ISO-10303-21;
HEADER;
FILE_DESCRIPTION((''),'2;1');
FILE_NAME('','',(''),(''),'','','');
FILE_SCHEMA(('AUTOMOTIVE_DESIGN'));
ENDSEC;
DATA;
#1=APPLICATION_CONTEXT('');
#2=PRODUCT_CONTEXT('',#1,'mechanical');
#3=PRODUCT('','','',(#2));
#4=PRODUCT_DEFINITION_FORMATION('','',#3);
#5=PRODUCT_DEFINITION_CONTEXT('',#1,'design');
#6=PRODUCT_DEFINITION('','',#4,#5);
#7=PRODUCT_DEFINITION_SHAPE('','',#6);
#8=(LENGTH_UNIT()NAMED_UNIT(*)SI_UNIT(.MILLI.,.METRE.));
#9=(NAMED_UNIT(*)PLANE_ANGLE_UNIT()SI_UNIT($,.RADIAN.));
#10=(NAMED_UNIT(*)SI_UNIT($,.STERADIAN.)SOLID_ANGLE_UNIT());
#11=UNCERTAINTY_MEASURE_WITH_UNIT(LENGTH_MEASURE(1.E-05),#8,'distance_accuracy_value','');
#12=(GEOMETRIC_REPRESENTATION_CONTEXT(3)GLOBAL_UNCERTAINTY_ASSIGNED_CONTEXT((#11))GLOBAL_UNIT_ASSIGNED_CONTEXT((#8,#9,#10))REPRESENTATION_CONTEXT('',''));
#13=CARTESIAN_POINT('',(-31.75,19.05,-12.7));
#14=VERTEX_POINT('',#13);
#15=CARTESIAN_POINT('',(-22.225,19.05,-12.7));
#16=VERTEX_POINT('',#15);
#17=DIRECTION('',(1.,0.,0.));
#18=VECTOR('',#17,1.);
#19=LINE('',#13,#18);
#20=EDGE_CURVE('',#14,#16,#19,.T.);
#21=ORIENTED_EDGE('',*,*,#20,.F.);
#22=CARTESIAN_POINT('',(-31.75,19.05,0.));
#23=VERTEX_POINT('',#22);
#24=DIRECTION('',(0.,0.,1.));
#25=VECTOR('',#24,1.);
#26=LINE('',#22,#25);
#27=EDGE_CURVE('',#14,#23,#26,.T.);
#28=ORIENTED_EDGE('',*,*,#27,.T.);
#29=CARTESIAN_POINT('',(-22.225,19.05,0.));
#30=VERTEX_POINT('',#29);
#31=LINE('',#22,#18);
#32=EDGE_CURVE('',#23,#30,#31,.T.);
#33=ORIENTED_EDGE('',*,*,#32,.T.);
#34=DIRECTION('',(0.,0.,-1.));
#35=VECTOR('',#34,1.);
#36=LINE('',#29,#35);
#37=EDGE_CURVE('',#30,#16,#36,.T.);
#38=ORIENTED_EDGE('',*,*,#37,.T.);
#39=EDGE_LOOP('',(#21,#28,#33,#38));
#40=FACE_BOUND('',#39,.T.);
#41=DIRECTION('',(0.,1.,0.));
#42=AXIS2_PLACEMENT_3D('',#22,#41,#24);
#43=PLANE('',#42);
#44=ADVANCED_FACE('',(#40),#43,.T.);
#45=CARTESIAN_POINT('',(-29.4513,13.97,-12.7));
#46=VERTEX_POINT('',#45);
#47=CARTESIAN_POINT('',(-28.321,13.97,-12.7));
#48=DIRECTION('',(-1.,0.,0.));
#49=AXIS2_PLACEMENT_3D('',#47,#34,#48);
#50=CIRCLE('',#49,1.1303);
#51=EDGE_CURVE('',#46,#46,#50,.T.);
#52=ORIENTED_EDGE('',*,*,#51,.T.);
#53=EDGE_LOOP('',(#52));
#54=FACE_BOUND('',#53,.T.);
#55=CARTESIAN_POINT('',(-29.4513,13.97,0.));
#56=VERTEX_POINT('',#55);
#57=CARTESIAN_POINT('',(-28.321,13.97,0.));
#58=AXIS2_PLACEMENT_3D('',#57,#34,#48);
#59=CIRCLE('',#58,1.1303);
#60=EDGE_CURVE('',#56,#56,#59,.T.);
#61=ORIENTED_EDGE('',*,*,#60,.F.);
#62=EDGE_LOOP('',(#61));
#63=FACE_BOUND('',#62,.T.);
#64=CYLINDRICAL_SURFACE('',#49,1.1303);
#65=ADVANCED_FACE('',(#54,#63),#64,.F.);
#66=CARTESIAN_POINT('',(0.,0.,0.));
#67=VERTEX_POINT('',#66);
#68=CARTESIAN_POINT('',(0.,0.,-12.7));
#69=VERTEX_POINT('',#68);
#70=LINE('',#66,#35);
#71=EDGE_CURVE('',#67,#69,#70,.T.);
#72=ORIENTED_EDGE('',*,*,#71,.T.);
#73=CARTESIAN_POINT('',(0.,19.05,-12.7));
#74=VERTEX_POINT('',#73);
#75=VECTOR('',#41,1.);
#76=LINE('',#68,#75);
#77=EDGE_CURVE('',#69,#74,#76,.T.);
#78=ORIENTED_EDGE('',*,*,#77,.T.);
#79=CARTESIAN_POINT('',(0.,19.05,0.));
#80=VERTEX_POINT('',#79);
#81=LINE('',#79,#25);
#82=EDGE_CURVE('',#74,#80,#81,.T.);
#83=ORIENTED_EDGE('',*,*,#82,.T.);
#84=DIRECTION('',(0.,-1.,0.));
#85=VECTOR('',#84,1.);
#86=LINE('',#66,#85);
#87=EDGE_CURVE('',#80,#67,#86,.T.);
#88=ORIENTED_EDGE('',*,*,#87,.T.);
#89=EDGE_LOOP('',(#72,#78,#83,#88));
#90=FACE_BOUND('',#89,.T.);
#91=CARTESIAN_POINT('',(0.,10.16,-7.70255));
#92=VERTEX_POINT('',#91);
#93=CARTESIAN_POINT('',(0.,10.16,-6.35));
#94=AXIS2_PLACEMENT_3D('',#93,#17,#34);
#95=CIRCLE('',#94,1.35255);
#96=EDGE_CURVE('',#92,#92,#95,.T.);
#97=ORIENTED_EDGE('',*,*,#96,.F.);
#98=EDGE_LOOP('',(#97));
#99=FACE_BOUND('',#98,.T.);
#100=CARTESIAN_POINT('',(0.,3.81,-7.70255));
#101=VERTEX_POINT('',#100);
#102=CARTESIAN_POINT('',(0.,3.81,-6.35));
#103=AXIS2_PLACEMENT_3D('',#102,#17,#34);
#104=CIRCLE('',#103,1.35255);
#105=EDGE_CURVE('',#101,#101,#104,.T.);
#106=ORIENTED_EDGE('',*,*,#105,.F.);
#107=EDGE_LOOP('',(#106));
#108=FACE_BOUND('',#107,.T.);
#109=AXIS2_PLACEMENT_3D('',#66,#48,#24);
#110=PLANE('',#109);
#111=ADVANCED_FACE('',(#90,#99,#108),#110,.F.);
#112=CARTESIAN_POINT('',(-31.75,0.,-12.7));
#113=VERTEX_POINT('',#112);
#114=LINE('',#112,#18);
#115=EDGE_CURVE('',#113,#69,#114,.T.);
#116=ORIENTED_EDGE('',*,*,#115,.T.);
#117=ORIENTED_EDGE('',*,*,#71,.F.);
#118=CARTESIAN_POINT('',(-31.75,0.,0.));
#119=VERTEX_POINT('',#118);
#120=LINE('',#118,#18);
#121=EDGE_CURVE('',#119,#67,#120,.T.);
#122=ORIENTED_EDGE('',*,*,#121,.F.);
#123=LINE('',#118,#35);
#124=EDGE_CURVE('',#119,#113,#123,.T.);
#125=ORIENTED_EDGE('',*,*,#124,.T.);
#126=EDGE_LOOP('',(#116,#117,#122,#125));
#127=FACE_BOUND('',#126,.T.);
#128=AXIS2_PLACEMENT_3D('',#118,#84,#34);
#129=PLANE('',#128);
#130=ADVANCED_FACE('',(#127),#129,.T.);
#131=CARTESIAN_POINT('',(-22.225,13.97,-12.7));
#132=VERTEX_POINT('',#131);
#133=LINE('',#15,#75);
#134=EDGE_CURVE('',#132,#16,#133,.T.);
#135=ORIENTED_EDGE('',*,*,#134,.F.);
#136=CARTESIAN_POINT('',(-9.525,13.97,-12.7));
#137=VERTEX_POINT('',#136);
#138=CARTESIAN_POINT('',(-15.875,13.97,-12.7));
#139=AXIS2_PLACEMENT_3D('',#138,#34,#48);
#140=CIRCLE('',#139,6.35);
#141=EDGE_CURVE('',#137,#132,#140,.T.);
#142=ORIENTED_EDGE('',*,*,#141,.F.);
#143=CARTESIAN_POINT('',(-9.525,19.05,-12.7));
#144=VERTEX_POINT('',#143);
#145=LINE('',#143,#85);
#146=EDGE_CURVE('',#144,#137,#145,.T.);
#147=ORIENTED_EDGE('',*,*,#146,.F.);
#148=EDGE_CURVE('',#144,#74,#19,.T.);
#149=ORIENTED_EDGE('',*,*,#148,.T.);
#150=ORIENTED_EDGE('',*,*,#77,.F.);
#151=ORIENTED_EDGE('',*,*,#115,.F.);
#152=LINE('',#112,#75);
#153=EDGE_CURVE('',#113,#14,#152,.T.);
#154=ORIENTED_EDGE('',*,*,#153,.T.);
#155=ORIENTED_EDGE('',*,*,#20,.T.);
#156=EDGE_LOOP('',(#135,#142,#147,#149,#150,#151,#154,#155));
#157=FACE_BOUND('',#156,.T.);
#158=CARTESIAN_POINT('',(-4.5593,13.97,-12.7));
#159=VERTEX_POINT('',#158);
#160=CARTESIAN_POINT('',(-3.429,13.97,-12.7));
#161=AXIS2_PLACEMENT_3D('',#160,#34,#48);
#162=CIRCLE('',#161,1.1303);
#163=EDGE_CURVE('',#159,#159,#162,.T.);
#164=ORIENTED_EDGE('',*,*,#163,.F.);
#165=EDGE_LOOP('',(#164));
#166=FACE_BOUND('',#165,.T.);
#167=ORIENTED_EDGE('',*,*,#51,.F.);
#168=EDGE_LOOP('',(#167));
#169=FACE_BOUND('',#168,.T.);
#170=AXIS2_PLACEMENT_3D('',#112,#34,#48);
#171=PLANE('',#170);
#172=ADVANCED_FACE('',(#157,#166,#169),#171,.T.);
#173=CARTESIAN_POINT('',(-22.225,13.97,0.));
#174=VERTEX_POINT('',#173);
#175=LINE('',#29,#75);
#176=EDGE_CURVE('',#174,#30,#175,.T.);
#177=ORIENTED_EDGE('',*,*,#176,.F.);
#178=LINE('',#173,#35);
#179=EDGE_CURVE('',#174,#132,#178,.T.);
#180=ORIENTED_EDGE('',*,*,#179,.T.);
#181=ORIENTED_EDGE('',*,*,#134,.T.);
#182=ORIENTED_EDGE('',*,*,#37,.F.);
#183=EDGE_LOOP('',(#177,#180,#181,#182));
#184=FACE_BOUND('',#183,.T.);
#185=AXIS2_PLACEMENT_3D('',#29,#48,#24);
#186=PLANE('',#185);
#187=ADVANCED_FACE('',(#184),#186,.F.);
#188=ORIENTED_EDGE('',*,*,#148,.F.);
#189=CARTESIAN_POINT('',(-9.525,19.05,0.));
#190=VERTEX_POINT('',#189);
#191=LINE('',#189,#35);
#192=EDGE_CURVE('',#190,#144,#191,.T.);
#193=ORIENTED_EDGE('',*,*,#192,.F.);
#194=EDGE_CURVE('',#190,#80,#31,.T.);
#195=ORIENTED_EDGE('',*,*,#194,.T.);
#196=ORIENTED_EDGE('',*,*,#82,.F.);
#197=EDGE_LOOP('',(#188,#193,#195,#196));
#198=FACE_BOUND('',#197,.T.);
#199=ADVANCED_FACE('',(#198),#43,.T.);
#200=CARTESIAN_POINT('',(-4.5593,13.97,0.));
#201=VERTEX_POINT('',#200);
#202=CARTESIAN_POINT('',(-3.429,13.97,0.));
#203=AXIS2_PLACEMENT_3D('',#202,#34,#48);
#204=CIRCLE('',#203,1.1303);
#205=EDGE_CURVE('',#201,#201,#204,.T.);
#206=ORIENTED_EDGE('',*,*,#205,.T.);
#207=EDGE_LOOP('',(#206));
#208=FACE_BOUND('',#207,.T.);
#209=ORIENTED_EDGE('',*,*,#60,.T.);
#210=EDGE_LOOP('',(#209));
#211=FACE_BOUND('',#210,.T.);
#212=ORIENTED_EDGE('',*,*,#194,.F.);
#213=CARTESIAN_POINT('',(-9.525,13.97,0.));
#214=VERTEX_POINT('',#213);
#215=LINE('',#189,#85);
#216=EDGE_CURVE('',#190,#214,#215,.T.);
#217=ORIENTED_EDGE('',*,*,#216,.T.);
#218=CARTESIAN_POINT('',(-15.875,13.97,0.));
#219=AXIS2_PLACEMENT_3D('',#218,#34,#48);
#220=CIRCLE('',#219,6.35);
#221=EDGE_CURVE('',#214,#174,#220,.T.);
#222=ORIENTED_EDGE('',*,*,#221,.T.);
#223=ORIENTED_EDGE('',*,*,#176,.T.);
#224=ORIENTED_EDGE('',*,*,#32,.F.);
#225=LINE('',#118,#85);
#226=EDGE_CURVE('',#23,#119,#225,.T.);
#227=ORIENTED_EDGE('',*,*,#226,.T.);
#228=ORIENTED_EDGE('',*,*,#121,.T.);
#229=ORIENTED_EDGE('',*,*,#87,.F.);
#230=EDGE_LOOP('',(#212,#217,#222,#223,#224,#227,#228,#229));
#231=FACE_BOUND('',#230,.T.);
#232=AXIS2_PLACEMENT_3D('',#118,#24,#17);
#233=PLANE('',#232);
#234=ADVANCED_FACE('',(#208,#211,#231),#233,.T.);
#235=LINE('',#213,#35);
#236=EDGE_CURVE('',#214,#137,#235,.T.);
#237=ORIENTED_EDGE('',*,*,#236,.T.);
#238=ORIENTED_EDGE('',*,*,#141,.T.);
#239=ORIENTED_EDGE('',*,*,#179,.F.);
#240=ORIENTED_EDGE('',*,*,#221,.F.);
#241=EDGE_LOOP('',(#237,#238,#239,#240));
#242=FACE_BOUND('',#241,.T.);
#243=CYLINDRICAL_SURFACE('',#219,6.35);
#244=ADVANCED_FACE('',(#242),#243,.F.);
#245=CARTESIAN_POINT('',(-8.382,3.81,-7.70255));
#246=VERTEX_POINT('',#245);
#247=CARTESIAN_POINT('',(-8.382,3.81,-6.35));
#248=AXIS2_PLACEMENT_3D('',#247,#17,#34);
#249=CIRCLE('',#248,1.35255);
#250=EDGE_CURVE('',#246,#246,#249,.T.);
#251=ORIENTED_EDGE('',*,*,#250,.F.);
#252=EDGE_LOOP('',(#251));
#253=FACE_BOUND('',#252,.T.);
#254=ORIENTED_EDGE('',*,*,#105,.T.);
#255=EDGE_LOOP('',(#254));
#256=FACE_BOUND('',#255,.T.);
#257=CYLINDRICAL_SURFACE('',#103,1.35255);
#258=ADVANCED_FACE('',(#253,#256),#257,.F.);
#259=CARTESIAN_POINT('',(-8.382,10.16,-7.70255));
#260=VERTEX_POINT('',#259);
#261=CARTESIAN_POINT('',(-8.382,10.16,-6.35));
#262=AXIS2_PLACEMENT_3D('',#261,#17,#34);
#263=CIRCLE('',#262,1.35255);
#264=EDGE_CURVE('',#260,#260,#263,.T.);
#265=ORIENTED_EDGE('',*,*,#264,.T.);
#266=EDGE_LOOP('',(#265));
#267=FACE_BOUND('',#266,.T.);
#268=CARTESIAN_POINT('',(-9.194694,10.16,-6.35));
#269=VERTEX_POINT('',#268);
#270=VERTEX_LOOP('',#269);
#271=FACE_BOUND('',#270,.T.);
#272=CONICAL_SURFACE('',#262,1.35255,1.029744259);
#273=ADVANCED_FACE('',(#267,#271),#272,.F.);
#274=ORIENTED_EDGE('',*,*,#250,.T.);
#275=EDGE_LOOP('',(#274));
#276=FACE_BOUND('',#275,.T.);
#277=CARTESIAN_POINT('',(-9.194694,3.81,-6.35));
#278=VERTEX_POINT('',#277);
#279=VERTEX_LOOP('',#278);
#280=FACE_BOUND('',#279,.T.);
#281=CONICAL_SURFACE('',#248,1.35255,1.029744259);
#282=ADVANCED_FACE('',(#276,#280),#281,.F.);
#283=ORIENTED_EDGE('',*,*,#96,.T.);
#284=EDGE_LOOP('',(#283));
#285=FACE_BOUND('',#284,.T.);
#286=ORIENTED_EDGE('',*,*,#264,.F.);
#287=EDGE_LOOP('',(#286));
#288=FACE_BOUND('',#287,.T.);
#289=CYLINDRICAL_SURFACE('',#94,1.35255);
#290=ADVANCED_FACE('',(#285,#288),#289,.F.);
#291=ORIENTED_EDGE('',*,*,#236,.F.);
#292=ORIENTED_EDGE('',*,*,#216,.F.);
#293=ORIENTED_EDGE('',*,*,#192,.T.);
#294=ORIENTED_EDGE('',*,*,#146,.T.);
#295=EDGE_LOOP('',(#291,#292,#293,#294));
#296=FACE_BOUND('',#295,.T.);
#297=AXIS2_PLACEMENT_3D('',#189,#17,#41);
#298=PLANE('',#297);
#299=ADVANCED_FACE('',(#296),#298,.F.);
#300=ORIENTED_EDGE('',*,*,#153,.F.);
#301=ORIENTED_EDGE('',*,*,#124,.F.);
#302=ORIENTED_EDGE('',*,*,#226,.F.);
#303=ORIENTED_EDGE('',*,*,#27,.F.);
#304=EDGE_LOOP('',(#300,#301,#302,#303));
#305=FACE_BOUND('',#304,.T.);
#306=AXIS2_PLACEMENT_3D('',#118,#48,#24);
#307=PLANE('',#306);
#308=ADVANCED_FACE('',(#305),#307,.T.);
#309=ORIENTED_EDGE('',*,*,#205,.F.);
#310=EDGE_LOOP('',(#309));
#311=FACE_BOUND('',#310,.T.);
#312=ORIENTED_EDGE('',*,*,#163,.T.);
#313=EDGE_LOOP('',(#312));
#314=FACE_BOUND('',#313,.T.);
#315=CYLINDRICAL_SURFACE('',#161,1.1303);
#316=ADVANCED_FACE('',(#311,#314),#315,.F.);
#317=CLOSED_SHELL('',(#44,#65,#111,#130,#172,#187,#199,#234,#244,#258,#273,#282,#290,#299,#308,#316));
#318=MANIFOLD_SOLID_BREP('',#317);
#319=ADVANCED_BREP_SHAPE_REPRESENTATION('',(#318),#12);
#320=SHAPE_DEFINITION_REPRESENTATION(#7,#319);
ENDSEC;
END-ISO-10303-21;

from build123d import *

# Parameters (mm, degrees)
SKETCH1_W                 = 12.7
SKETCH1_H                 = 19.05
BASE_DEPTH                = 31.75
MOTORSLOT_DEPTH           = 40.144028919
MOTORHOLES_D              = 2.2606
F_6_32_TAPPED_HOLE1_D     = 2.7051
F_6_32_TAPPED_HOLE1_DEPTH = 8.382
F_6_32_TAPPED_HOLE1_TIP   = 0.81269403


with BuildPart() as part:
    # Sketch1 → Base (new body)
    with BuildSketch(Plane(origin=(0, 0, 0), x_dir=(0, 0, -1), z_dir=(1, 0, 0))):
        with Locations((6.35, 9.525)):
            Rectangle(SKETCH1_W, SKETCH1_H)
    extrude(amount=-BASE_DEPTH)

    # Sketch5 → MotorSlot (cut, through all)
    with BuildSketch(Plane(origin=(0, 0, -12.7), x_dir=(-1, 0, 0), z_dir=(0, 0, -1))):
        with BuildLine():
            Line((22.225, 19.05), (22.225, 13.97))
            ThreePointArc((22.225, 13.97), (15.875, 7.62), (9.525, 13.97))
            Line((9.525, 13.97), (9.525, 19.05))
            ThreePointArc((9.525, 19.05), (15.875, 25.4), (22.225, 19.05))
        make_face()
    extrude(amount=-MOTORSLOT_DEPTH, mode=Mode.SUBTRACT)

    # MotorHoles (through all)
    with Locations(Plane(origin=(0, 0, -12.7), x_dir=(-1, 0, 0), z_dir=(0, 0, -1))):
        with Locations((3.429, 13.97), (28.321, 13.97)):
            Hole(MOTORHOLES_D / 2)

    # #6-32 Tapped Hole1
    with Locations(Plane(origin=(0, 0, 0), x_dir=(0, 0, -1), z_dir=(1, 0, 0))):
        with Locations((6.35, 3.81), (6.35, 10.16)):
            Hole(F_6_32_TAPPED_HOLE1_D / 2, depth=F_6_32_TAPPED_HOLE1_DEPTH)
            with Locations((0, 0, -(F_6_32_TAPPED_HOLE1_DEPTH + F_6_32_TAPPED_HOLE1_TIP / 2))):  # 118° drill point
                Cone(0, F_6_32_TAPPED_HOLE1_D / 2, F_6_32_TAPPED_HOLE1_TIP, mode=Mode.SUBTRACT)


solid = part.part
